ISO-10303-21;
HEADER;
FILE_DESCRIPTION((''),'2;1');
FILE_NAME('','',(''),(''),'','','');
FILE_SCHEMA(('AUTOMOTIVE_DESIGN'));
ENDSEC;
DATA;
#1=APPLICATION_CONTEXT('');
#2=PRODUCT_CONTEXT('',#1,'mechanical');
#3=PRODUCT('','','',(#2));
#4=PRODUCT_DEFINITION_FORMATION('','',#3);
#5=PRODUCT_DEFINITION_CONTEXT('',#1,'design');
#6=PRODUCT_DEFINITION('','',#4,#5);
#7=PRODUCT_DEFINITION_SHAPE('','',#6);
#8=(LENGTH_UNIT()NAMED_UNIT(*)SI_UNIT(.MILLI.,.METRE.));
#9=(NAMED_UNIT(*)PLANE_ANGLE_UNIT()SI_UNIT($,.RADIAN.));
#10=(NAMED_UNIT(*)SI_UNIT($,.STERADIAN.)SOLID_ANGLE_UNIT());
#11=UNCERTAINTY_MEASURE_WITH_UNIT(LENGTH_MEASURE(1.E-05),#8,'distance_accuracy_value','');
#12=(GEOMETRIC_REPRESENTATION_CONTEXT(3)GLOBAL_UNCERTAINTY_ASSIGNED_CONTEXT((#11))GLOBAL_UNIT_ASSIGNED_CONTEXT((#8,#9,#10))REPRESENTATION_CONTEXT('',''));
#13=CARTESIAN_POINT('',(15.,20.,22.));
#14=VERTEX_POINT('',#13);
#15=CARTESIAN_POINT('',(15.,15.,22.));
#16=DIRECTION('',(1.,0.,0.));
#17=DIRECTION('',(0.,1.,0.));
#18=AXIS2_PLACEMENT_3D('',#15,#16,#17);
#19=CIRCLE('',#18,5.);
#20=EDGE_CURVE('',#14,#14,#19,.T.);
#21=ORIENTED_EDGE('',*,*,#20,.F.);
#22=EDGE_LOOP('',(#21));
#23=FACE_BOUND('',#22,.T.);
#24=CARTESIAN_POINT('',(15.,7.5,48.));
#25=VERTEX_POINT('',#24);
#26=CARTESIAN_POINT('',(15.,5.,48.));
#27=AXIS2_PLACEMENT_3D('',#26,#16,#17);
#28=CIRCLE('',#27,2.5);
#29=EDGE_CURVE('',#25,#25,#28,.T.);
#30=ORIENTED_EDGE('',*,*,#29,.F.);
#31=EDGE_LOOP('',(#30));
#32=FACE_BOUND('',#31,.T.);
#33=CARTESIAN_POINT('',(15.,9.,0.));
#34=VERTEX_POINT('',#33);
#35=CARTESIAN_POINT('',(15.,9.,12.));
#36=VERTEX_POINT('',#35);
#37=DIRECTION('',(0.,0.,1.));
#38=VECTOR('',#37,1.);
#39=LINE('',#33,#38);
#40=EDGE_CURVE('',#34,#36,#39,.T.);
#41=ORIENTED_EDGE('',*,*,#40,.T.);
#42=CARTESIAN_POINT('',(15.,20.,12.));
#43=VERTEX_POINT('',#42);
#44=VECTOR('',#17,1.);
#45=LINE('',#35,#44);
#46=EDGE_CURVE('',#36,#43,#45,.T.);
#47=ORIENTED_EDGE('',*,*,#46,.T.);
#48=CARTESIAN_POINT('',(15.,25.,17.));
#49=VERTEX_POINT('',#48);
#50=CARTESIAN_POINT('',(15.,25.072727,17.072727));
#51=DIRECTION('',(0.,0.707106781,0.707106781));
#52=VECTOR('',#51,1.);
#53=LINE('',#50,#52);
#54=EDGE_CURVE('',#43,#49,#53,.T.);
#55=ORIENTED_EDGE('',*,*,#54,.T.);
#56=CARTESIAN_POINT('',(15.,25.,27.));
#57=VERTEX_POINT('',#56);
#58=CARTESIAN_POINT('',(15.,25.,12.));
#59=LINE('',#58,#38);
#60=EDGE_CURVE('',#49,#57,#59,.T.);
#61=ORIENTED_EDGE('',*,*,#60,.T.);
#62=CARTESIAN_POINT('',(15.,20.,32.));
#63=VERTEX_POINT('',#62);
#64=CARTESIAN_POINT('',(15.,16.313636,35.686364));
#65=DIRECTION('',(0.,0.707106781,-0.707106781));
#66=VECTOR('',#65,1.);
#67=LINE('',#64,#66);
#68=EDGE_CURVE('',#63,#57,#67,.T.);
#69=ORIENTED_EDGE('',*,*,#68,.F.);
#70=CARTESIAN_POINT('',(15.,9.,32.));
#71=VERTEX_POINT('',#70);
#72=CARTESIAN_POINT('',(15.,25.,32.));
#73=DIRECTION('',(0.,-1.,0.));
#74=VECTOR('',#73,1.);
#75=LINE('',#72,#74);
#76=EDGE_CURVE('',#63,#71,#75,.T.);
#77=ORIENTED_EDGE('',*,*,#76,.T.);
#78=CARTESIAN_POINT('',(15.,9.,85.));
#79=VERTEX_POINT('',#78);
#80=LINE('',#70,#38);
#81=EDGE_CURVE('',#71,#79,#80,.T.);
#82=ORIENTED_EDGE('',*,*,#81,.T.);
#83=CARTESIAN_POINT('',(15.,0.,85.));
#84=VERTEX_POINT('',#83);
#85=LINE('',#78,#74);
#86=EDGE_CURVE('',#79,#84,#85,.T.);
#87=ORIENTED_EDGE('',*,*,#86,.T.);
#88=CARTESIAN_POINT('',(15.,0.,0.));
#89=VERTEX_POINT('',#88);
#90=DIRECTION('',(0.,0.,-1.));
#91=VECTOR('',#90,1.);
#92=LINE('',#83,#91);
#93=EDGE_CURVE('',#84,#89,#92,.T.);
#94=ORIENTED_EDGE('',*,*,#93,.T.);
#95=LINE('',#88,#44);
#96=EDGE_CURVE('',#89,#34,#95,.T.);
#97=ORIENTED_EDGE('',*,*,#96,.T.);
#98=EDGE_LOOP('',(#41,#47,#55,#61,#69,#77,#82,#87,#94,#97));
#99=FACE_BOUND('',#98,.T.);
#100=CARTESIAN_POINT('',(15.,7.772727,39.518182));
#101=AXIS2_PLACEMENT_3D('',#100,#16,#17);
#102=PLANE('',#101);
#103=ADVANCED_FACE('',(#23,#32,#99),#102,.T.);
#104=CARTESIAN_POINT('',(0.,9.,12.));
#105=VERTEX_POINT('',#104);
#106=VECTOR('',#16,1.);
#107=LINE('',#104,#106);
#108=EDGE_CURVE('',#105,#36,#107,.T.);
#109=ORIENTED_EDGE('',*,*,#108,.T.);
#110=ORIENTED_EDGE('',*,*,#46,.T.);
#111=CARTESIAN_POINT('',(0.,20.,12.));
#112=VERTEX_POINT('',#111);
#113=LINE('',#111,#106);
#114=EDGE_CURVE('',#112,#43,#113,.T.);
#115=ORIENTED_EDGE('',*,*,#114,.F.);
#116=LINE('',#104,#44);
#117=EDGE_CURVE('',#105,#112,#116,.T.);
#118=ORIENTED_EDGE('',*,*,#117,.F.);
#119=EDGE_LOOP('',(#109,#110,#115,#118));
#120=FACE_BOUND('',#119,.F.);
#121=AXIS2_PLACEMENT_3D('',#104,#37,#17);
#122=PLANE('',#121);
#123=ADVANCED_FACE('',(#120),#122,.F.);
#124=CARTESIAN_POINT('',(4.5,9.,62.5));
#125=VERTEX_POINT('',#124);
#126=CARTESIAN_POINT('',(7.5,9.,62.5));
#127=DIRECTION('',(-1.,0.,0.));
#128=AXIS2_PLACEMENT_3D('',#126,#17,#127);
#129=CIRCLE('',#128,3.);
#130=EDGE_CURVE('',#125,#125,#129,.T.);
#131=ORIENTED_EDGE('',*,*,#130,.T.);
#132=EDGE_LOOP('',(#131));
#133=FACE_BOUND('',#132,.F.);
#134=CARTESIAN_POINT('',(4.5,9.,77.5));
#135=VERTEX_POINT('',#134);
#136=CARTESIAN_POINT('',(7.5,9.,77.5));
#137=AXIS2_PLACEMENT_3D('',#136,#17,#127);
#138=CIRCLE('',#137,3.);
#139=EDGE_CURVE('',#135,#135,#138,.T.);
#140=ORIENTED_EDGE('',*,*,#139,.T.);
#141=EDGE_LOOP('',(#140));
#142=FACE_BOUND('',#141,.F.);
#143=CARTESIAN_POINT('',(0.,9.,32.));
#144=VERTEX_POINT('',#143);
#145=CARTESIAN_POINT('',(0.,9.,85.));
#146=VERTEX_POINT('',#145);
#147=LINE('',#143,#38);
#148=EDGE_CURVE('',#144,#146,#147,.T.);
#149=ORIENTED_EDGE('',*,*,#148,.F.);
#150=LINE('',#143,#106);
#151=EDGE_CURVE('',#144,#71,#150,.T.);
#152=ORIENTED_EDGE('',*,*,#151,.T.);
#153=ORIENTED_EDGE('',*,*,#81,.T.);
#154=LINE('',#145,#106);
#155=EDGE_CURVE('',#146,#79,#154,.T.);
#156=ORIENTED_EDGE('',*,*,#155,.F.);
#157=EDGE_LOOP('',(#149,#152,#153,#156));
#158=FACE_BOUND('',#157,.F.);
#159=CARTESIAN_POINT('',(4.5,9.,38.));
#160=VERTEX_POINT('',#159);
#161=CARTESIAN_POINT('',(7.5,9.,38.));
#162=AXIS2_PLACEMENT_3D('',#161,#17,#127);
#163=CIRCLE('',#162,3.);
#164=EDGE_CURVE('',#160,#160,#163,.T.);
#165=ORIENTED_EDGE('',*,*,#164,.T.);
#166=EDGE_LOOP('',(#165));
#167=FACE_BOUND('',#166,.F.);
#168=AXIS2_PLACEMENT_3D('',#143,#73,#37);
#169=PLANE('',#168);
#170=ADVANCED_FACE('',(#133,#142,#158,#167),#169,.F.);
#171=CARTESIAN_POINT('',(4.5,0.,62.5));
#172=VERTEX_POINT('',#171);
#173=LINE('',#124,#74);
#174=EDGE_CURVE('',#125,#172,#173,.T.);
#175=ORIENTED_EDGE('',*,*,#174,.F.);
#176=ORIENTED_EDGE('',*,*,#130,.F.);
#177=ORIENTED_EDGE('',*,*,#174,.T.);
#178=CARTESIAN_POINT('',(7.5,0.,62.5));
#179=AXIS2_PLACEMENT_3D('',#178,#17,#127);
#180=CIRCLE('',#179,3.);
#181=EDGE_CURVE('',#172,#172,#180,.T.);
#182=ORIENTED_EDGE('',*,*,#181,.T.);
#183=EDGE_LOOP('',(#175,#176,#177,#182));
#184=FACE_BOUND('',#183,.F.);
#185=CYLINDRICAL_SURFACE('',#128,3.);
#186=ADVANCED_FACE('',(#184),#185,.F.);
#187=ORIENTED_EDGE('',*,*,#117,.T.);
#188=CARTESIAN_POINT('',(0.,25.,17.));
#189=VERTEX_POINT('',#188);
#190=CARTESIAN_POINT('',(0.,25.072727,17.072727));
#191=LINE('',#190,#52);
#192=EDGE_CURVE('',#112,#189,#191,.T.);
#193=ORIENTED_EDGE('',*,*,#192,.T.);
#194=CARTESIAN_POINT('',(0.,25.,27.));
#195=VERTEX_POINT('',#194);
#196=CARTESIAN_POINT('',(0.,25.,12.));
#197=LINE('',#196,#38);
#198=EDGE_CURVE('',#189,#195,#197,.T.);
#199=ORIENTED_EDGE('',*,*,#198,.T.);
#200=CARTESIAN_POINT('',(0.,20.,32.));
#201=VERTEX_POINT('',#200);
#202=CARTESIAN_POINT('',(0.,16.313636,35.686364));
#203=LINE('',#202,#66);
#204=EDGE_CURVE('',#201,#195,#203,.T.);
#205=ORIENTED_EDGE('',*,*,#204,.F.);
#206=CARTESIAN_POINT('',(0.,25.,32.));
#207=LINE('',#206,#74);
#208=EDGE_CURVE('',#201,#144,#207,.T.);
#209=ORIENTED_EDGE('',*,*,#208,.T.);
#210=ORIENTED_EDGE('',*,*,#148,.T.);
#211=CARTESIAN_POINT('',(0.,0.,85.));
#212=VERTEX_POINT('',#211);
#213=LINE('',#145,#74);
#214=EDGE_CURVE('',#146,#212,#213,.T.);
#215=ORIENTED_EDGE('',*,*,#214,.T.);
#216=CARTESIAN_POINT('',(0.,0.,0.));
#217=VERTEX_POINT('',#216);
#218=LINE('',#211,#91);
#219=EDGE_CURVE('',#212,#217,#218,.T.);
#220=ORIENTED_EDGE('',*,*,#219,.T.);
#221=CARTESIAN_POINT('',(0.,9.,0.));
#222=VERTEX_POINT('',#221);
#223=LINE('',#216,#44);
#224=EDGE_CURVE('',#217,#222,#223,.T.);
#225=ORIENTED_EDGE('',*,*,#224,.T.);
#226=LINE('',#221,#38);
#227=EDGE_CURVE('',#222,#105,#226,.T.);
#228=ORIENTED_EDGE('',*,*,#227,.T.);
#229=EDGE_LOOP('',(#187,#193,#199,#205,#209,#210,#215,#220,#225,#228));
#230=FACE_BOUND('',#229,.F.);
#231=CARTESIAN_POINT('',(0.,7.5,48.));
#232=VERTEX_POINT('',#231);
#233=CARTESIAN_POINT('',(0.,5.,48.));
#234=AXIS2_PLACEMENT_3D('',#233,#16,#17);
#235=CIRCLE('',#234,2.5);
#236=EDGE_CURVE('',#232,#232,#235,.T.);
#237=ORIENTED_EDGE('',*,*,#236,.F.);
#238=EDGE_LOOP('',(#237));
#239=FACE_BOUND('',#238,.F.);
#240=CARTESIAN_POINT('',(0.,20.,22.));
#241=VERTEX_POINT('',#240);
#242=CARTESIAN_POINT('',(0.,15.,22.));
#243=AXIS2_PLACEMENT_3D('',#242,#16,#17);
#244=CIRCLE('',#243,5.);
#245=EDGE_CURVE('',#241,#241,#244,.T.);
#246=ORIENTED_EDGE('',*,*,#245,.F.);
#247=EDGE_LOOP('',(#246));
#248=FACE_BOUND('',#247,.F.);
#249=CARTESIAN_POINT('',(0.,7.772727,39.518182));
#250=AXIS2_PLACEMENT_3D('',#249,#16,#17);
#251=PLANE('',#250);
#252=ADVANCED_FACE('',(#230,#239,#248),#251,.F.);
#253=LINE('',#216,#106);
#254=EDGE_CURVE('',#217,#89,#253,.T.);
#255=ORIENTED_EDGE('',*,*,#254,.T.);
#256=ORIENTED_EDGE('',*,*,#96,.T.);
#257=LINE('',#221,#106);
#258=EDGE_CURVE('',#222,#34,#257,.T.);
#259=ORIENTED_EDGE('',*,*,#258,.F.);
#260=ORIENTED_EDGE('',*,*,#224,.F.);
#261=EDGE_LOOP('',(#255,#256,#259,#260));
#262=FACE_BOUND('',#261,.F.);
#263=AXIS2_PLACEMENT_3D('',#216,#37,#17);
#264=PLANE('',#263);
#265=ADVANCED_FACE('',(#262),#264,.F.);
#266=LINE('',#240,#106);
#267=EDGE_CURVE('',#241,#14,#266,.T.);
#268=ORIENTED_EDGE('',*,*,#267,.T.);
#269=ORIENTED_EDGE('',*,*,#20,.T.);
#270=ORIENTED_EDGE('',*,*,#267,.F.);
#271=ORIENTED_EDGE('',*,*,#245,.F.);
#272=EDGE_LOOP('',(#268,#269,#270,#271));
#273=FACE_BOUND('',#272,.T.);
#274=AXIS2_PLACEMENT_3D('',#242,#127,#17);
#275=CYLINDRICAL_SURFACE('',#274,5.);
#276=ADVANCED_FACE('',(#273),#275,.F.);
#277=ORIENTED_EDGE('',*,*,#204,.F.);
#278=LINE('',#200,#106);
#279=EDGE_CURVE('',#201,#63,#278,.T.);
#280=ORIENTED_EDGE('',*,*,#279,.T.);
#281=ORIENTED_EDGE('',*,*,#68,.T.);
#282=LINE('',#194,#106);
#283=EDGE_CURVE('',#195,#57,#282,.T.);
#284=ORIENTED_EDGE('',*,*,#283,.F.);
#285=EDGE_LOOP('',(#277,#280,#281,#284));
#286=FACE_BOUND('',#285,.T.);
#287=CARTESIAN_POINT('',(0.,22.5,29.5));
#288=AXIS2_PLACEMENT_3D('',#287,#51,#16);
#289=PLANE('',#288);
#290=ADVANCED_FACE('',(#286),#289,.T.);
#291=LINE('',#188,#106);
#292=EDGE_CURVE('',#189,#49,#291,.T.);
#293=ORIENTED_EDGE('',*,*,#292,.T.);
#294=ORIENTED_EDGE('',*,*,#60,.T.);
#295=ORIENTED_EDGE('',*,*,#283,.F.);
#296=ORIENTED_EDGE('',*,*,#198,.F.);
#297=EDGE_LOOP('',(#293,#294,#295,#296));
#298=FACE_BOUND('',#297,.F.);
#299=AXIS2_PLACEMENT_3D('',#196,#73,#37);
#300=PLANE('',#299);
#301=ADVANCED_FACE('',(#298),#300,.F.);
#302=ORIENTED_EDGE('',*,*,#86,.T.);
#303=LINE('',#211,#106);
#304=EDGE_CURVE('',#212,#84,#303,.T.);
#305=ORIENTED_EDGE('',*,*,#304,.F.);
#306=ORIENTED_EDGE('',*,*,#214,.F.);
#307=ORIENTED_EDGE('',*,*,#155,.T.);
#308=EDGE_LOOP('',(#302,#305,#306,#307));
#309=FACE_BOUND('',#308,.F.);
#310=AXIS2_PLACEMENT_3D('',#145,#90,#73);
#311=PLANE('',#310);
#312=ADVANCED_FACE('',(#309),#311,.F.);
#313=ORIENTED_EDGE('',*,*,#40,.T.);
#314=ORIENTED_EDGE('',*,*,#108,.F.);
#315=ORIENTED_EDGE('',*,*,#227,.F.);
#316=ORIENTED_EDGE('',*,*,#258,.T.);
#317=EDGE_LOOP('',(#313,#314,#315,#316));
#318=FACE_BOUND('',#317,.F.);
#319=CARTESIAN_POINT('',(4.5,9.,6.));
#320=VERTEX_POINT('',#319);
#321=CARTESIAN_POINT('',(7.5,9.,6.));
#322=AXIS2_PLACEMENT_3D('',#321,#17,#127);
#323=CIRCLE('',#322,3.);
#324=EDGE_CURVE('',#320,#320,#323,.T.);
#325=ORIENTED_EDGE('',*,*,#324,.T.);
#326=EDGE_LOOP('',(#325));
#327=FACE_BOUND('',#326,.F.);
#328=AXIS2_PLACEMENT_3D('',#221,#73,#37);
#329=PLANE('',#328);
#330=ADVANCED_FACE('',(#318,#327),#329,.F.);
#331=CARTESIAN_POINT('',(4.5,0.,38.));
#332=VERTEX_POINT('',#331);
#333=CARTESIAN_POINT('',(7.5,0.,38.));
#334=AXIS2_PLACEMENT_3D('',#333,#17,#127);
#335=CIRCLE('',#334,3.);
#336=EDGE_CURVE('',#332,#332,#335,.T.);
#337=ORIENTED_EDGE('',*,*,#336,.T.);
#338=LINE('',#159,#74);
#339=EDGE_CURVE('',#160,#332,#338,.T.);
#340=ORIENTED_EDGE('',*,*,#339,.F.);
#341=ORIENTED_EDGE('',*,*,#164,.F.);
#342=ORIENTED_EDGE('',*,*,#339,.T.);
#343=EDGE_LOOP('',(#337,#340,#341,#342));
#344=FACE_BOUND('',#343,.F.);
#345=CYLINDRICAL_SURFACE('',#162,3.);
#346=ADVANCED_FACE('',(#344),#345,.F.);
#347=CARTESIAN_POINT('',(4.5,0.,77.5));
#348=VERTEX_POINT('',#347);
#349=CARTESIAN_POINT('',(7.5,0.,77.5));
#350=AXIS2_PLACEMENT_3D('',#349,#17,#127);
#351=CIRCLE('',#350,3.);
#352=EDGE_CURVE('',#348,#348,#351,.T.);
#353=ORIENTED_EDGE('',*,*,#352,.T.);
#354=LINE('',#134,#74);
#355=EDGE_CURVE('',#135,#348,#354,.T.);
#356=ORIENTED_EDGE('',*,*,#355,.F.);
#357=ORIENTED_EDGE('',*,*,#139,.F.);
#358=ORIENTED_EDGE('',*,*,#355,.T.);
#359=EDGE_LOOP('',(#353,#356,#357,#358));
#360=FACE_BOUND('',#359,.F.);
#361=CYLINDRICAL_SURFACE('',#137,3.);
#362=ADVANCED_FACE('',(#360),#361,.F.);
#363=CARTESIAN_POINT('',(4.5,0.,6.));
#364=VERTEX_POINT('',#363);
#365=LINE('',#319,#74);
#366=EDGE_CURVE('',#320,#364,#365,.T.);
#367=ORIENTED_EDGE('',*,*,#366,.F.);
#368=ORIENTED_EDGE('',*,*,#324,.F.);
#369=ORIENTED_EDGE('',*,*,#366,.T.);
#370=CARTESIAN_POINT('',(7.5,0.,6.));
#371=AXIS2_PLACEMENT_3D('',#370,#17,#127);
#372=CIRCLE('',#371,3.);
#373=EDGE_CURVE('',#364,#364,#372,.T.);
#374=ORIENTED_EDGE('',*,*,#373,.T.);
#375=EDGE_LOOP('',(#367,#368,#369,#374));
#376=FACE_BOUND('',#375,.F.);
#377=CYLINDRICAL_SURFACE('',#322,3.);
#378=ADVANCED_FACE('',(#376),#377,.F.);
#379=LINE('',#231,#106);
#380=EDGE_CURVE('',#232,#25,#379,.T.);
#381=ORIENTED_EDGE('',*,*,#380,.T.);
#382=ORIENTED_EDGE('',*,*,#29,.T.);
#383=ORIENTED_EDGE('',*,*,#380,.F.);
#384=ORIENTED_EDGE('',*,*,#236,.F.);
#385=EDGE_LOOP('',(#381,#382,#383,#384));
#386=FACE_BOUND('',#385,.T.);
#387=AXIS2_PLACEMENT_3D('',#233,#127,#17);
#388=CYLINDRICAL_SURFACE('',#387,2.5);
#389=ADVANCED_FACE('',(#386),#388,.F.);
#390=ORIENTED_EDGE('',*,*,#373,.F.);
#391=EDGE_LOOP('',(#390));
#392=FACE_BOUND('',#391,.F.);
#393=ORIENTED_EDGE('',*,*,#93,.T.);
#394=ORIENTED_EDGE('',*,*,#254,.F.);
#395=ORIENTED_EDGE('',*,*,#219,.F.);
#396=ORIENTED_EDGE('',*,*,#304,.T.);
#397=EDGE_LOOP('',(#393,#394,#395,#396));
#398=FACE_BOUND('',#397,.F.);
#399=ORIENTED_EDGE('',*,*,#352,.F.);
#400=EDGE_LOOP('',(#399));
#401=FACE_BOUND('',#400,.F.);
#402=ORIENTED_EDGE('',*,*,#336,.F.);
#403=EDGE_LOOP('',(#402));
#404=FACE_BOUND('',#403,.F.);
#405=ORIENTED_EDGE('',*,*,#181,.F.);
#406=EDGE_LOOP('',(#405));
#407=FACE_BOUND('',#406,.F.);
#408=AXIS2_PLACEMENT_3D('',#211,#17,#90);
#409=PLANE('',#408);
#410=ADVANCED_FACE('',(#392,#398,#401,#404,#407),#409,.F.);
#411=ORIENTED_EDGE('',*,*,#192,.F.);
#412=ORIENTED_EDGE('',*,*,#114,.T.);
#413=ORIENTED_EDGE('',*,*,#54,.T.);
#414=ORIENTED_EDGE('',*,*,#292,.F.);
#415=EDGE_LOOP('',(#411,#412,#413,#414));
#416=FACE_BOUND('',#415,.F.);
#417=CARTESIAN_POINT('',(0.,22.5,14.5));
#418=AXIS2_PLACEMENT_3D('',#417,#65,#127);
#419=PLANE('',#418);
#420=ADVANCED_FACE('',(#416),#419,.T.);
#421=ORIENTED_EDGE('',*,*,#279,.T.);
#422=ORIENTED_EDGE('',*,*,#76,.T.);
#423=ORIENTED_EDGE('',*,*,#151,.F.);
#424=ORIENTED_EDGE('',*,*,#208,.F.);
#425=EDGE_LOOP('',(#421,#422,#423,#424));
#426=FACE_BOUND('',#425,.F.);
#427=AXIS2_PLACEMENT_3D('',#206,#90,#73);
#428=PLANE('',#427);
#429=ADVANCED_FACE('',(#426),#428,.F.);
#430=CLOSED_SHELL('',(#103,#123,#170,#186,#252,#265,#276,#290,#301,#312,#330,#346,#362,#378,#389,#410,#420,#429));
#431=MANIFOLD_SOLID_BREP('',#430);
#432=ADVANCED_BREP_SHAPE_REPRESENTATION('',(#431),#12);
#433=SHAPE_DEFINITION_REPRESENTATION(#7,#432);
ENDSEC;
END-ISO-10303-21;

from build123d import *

# Parameters (mm, degrees)
F0_R     = 5
F0_R_2   = 2.5
F1_DEPTH = 15
F2_SIZE  = 5
F3_R     = 3
F4_DEPTH = 9


with BuildPart() as f1:
    # F0 (on Right) → F1 (new body)
    with BuildSketch(Plane.YZ):
        Polygon((0, 85), (0, 0), (9, 0), (9, 12), (25, 12), (25, 32), (9, 32), (9, 85), align=None)
        with Locations((15, 22)):
            Circle(F0_R, mode=Mode.SUBTRACT)
        with Locations((5, 48)):
            Circle(F0_R_2, mode=Mode.SUBTRACT)
    extrude(amount=F1_DEPTH)

    # F2
    f2_edges = [f1.edges().sort_by_distance(p)[0] for p in [
        (7.5, 25, 32),
        (7.5, 25, 12),
    ]]
    chamfer(f2_edges, length=F2_SIZE)

    # F3 (on face) → F4 (cut, through all)
    with BuildSketch(Plane(origin=(0, 9, 0), x_dir=(-1, 0, 0), z_dir=(0, 1, 0))):
        with Locations((-7.5, 77.5)):
            Circle(F3_R)
        with Locations((-7.5, 62.5)):
            Circle(F3_R)
        with Locations((-7.5, 6)):
            Circle(F3_R)
        with Locations((-7.5, 38)):
            Circle(F3_R)
    extrude(amount=-F4_DEPTH, mode=Mode.SUBTRACT)


solid = f1.part
